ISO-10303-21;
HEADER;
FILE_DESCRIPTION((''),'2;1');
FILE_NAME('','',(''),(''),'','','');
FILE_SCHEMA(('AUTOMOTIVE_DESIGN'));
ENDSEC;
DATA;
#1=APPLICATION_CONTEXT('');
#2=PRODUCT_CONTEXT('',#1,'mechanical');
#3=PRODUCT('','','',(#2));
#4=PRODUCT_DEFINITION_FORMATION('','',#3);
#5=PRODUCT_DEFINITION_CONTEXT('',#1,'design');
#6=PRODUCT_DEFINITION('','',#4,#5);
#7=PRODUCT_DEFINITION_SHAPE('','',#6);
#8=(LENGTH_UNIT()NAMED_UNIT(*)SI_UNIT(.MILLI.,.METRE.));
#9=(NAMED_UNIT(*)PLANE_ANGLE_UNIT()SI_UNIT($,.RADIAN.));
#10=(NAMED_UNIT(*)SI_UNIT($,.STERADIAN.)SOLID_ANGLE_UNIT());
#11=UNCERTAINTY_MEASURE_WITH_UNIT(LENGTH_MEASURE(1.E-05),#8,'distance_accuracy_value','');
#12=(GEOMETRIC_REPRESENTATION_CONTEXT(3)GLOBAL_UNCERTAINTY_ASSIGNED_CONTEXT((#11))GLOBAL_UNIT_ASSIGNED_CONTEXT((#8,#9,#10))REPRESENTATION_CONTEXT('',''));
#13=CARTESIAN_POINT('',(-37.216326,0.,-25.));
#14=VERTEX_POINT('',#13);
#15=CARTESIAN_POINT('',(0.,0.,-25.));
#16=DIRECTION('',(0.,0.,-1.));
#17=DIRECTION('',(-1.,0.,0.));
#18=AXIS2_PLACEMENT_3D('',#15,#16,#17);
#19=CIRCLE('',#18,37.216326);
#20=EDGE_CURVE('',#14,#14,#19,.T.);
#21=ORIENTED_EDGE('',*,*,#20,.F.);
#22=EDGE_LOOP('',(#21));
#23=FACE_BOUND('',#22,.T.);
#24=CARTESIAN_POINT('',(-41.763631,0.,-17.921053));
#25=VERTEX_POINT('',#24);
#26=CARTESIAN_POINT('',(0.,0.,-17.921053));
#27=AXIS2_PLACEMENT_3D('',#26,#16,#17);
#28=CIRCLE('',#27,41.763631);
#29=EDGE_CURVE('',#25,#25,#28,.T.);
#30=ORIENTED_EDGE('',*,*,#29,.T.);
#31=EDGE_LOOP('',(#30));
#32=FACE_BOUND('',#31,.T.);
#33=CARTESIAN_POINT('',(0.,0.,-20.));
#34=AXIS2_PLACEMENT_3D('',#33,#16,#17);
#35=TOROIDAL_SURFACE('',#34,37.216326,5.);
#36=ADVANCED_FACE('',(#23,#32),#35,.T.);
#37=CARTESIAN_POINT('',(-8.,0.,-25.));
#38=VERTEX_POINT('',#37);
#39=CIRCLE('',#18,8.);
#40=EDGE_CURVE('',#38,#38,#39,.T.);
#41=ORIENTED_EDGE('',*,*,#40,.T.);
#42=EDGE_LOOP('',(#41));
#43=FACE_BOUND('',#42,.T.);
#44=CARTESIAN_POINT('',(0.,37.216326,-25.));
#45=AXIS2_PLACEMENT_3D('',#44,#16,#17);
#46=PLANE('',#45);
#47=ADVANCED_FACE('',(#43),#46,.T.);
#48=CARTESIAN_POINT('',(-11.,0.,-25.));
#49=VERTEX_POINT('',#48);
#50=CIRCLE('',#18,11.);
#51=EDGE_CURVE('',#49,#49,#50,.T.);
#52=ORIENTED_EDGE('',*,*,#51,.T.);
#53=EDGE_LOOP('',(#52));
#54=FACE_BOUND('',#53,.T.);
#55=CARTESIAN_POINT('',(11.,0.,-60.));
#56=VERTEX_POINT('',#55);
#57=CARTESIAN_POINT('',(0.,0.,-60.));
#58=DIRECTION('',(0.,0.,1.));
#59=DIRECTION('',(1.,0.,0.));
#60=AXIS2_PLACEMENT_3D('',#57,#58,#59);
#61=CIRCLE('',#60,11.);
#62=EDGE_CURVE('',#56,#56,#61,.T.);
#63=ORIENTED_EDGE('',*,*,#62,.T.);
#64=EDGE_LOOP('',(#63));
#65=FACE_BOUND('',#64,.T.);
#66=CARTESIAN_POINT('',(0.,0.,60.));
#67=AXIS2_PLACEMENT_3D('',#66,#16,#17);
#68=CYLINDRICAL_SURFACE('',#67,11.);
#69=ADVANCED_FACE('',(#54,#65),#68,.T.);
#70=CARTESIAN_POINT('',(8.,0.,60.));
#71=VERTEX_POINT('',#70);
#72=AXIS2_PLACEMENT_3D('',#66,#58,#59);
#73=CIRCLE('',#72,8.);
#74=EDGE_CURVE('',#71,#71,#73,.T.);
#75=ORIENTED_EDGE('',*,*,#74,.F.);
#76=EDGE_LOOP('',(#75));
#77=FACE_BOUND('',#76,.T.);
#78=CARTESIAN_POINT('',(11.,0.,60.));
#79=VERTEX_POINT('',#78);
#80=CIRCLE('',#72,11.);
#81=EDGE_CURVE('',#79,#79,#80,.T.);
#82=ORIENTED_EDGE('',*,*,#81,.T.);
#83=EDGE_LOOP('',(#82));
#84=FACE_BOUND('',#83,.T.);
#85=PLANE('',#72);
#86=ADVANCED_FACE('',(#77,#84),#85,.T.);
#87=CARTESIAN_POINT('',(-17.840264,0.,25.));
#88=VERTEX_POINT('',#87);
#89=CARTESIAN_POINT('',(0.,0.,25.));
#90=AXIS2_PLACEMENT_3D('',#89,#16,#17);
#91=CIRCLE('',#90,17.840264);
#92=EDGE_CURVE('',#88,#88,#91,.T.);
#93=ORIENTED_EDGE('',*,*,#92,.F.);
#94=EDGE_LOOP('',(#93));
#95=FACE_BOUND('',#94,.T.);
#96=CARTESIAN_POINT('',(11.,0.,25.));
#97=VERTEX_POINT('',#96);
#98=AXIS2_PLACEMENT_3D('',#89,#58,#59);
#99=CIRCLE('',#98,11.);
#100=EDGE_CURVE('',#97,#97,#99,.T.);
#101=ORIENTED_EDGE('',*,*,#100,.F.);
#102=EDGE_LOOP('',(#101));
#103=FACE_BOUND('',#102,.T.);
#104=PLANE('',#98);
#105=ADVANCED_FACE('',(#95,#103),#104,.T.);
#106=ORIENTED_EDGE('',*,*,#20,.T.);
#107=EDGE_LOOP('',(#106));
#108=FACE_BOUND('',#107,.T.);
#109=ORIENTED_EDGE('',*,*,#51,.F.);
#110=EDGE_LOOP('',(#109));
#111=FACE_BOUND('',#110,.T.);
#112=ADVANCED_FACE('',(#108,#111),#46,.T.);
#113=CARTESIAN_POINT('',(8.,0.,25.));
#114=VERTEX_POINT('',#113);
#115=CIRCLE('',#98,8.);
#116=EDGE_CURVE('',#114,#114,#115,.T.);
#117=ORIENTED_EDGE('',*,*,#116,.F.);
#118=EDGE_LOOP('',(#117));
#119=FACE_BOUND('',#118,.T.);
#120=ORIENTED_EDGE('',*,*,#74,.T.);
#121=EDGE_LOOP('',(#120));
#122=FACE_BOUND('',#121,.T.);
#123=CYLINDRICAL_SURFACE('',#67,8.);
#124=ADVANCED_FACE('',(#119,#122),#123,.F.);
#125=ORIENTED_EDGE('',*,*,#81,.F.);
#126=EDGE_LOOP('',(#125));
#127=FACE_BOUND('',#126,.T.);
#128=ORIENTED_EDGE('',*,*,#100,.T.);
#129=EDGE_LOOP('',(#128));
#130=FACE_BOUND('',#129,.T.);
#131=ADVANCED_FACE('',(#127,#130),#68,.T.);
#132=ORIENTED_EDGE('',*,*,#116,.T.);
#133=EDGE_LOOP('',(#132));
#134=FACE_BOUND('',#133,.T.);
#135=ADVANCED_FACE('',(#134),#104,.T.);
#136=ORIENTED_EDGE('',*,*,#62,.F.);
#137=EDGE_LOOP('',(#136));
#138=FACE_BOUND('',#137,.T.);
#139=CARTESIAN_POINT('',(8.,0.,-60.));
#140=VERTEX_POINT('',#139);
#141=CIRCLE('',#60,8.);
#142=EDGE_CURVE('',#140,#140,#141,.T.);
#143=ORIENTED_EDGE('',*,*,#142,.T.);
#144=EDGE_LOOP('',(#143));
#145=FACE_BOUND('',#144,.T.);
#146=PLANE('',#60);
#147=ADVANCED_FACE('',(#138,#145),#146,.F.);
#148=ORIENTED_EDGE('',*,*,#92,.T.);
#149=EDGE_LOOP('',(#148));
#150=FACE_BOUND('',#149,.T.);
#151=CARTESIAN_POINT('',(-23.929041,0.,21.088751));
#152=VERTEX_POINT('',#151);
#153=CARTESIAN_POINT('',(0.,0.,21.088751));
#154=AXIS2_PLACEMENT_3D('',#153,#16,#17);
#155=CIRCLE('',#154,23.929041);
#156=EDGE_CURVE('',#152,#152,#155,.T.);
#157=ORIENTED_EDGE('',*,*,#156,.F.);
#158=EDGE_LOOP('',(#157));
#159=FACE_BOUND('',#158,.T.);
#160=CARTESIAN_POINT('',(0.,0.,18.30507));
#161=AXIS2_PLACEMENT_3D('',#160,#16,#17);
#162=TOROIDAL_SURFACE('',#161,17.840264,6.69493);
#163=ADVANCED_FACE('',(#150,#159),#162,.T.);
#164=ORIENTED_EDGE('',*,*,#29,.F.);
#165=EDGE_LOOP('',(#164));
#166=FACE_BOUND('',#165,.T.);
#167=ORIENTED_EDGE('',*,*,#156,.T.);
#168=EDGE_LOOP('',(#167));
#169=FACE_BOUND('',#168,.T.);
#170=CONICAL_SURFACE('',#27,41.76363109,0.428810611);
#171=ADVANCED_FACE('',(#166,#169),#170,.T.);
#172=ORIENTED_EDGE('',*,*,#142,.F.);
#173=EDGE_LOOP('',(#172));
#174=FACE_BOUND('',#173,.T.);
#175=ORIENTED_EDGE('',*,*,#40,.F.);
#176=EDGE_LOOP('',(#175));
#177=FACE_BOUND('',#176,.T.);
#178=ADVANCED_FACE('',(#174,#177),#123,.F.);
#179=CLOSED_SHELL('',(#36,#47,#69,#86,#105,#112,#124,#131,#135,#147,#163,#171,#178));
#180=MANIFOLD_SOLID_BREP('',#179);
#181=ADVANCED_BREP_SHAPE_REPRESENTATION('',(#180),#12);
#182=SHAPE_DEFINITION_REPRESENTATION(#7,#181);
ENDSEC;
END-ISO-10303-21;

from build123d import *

# Parameters (mm, degrees)
SKETCH1_R           = 11
SKETCH1_R_2         = 8
BOSS_EXTRUDE1_DEPTH = 60


with BuildPart() as part:
    # Sketch1 → Boss-Extrude1 (new, symmetric)
    with BuildSketch(Plane.XY):
        Circle(SKETCH1_R)
        Circle(SKETCH1_R_2, mode=Mode.SUBTRACT)
    extrude(amount=BOSS_EXTRUDE1_DEPTH, both=True)

    # Sketch2 → Revolve1 (revolve)
    with BuildSketch(Plane(origin=(0, 0, 0), x_dir=(0, 0, -1), z_dir=(1, 0, 0)), mode=Mode.PRIVATE) as revolve1_sk:
        with BuildLine():
            Line((-25, 0), (-25, 17.840263865))
            ThreePointArc((-25, 17.840263865), (-23.93794832, 21.458657097), (-21.088750877, 23.929041134))
            Line((-21.088750877, 23.929041134), (17.921053029, 41.76363109))
            ThreePointArc((17.921053029, 41.76363109), (22.702338353, 41.423150362), (25, 37.21632645))
            Line((25, 37.21632645), (25, 0))
            Line((25, 0), (-25, 0))
        make_face()
    revolve(revolve1_sk.sketch.rotate(Axis((0, 0, -25), (0, 0, 1)), 90), axis=Axis((0, 0, -25), (0, 0, 1)))


solid = part.part
